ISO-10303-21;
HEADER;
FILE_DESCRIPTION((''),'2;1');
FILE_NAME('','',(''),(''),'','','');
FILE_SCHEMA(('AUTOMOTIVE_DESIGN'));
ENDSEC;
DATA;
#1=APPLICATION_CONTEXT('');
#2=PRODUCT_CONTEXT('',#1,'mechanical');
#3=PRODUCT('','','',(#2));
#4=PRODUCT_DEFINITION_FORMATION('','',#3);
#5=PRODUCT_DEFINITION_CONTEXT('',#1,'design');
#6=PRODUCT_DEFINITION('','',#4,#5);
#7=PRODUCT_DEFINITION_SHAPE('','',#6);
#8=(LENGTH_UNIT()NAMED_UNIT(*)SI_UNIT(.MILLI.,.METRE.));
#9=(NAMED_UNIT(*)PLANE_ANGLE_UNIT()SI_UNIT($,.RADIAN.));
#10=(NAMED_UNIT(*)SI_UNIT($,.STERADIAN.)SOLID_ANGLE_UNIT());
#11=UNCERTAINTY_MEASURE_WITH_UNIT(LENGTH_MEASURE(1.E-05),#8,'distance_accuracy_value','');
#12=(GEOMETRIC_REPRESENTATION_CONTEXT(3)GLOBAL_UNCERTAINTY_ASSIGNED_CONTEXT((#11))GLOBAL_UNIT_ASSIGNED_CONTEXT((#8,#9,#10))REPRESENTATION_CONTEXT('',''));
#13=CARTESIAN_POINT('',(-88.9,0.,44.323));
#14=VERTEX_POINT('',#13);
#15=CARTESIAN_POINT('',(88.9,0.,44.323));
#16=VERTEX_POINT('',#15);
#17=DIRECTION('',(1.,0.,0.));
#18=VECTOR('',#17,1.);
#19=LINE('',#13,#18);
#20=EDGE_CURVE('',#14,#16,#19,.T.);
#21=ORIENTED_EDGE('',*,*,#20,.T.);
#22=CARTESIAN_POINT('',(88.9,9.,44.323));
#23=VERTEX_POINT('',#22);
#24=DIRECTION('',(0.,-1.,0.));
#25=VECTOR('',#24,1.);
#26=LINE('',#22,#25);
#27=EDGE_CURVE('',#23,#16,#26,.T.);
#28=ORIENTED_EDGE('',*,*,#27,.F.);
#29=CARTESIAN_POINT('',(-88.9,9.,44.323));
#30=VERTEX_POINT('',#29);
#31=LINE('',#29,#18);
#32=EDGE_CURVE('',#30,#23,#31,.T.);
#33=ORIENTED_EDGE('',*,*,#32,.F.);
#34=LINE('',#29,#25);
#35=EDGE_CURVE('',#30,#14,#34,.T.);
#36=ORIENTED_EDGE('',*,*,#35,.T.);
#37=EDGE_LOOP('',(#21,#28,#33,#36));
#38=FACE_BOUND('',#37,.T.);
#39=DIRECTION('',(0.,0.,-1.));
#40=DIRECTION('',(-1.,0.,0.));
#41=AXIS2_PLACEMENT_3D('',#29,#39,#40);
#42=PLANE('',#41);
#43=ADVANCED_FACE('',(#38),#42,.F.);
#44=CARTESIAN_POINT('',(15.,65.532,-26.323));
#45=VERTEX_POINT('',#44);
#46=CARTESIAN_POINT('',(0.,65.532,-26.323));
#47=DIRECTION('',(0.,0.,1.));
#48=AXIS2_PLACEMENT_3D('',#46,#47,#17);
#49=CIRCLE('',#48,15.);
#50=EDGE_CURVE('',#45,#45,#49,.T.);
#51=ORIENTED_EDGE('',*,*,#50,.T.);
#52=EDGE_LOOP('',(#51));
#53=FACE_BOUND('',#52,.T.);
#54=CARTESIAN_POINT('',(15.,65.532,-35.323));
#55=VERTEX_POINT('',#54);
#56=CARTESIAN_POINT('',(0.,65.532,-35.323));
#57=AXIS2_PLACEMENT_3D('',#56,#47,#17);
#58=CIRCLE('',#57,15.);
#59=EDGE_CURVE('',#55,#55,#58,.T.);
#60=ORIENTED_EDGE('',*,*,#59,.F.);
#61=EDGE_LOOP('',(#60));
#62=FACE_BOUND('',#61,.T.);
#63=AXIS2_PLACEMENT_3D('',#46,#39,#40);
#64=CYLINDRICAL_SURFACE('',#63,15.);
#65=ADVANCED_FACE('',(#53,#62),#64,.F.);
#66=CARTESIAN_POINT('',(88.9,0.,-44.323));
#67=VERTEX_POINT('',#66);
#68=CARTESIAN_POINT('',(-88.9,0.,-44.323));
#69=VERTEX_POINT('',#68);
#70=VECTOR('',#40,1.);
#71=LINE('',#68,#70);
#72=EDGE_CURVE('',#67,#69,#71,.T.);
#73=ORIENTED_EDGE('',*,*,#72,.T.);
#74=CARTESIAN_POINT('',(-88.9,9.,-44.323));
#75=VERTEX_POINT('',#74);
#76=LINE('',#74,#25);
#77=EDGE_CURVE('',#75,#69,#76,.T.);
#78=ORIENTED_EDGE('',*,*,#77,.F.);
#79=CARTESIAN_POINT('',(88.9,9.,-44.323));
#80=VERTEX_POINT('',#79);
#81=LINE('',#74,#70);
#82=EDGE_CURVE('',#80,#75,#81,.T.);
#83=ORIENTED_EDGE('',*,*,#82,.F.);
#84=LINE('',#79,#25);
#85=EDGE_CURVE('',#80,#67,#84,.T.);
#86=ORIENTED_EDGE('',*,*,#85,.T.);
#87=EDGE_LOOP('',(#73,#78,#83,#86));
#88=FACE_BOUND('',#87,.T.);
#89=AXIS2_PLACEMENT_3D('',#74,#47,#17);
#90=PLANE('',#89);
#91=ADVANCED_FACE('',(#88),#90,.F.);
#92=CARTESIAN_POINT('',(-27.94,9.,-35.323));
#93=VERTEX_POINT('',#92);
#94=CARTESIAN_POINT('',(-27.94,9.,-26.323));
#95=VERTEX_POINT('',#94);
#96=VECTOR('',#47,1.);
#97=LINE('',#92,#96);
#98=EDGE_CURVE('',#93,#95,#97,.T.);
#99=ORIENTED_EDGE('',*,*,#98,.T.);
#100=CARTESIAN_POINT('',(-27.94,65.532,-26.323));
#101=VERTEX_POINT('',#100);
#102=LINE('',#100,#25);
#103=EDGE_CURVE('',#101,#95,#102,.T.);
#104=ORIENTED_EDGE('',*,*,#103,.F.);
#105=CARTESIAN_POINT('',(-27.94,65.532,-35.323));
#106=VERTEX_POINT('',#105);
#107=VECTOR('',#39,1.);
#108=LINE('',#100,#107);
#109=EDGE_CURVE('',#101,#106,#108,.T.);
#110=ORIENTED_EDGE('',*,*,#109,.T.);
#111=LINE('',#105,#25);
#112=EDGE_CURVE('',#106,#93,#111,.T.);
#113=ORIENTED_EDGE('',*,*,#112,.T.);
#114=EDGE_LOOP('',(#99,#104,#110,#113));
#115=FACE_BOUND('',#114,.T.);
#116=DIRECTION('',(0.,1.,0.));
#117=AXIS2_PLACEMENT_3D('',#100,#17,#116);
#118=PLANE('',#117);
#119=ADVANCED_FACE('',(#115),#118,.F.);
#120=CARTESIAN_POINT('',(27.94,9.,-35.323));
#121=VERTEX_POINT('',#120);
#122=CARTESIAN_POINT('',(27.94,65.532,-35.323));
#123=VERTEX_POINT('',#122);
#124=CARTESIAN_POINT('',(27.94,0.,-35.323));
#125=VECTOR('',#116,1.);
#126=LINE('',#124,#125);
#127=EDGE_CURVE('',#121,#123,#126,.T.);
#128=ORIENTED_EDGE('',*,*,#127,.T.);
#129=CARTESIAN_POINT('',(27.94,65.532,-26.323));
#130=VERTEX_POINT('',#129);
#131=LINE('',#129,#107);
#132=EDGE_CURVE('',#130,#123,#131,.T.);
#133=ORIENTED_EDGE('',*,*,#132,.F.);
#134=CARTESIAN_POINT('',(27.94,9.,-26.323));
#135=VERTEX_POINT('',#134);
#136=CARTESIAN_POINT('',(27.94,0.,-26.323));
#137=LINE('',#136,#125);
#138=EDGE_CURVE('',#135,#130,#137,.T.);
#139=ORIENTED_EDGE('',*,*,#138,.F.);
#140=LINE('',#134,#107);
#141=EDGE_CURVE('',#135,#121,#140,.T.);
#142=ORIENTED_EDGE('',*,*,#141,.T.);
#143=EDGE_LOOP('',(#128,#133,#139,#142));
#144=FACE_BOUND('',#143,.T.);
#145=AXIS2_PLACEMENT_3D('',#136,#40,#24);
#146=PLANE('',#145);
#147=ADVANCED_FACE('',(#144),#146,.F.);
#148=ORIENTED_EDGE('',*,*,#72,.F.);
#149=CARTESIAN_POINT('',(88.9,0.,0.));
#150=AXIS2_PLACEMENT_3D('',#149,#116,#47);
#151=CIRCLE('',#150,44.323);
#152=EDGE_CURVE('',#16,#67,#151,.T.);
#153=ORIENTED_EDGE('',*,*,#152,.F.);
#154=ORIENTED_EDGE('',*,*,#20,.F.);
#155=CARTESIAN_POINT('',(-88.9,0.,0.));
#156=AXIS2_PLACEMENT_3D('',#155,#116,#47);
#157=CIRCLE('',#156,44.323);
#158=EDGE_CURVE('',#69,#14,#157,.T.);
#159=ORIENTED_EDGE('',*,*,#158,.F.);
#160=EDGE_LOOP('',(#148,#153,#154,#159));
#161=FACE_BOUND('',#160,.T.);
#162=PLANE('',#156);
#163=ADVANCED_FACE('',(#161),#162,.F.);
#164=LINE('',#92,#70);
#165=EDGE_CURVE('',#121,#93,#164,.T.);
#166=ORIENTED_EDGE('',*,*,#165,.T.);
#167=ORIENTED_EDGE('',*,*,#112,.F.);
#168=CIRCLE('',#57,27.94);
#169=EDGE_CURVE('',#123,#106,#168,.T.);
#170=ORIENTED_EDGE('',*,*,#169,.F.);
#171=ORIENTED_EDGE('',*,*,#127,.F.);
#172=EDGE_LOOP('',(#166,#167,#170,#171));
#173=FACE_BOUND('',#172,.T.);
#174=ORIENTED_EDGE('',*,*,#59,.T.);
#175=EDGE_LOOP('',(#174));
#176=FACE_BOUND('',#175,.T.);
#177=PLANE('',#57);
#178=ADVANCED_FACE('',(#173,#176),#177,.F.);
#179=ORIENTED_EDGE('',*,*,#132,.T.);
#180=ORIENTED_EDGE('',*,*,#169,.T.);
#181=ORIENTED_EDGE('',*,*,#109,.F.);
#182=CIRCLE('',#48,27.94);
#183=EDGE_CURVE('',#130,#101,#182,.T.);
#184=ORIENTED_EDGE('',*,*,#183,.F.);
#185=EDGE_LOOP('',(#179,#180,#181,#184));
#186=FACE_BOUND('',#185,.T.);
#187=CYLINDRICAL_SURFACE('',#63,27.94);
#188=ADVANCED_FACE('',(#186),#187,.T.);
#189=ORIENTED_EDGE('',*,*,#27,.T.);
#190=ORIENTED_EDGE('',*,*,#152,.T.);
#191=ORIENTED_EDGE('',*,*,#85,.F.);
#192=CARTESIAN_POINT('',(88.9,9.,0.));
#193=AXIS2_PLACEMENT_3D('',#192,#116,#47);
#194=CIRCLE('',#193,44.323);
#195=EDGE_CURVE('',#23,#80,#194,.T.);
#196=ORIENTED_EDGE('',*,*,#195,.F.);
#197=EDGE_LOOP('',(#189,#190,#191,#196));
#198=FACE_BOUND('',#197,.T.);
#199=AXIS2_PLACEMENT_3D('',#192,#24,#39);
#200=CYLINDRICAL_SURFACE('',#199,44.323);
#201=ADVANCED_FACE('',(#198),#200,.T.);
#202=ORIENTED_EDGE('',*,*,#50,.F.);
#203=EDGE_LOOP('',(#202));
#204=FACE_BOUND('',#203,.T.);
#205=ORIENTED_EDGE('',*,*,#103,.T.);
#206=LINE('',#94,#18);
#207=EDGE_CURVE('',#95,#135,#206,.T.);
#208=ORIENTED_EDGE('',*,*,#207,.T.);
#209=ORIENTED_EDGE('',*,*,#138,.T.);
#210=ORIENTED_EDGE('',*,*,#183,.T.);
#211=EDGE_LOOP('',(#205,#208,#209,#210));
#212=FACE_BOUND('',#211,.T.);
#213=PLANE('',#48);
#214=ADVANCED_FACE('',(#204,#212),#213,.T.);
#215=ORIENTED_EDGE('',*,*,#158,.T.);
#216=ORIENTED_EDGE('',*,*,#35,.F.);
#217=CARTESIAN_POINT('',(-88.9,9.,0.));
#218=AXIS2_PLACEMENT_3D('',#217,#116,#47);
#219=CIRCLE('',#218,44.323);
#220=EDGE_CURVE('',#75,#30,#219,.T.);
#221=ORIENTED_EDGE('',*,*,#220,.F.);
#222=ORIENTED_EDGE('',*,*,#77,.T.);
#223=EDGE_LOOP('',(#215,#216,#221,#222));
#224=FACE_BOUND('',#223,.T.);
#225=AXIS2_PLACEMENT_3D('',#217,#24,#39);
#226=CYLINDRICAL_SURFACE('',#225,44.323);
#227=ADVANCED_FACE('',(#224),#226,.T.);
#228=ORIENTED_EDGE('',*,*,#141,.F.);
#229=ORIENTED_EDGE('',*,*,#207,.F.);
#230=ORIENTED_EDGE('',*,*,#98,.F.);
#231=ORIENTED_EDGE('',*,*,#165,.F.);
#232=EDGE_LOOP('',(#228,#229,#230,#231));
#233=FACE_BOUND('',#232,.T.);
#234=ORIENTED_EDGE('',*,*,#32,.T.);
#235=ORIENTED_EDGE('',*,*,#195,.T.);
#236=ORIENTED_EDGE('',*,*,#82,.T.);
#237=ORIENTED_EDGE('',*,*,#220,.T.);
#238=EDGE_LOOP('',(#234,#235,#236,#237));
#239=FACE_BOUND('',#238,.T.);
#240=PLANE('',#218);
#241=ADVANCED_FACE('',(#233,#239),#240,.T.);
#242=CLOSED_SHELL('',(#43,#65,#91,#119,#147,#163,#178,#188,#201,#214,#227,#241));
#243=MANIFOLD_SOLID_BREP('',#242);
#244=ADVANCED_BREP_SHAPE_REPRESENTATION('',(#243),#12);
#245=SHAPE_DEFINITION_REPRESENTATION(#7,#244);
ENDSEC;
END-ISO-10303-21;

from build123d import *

# Parameters (mm, degrees)
SKETCH1_W           = 55.88
SKETCH1_H           = 9
BOSS_EXTRUDE1_DEPTH = 9
SKETCH2_R           = 15
BOSS_EXTRUDE2_DEPTH = 9


with BuildPart() as part:
    # Sketch1 → Boss-Extrude1 (new body)
    with BuildSketch(Plane(origin=(0, 0, 0), x_dir=(1, 0, 0), z_dir=(0, 1, 0))):
        with BuildLine():
            Line((-88.9, -44.323), (88.9, -44.323))
            ThreePointArc((88.9, -44.323), (133.223, 0), (88.9, 44.323))
            Line((88.9, 44.323), (-88.9, 44.323))
            ThreePointArc((-88.9, 44.323), (-133.223, 0), (-88.9, -44.323))
        make_face()
        with Locations((0, 30.823)):
            Rectangle(SKETCH1_W, SKETCH1_H, mode=Mode.SUBTRACT)
    extrude(amount=BOSS_EXTRUDE1_DEPTH)

    # Sketch2 → Boss-Extrude2 (add)
    with BuildSketch(Plane.XY.offset(-35.323)):
        with BuildLine():
            Line((-27.94, 0), (27.94, 0))
            Line((27.94, 0), (27.94, 65.532))
            ThreePointArc((27.94, 65.532), (0, 93.472), (-27.94, 65.532))
            Line((-27.94, 65.532), (-27.94, 0))
        make_face()
        with Locations((0, 65.532)):
            Circle(SKETCH2_R, mode=Mode.SUBTRACT)
    extrude(amount=BOSS_EXTRUDE2_DEPTH)


solid = part.part
